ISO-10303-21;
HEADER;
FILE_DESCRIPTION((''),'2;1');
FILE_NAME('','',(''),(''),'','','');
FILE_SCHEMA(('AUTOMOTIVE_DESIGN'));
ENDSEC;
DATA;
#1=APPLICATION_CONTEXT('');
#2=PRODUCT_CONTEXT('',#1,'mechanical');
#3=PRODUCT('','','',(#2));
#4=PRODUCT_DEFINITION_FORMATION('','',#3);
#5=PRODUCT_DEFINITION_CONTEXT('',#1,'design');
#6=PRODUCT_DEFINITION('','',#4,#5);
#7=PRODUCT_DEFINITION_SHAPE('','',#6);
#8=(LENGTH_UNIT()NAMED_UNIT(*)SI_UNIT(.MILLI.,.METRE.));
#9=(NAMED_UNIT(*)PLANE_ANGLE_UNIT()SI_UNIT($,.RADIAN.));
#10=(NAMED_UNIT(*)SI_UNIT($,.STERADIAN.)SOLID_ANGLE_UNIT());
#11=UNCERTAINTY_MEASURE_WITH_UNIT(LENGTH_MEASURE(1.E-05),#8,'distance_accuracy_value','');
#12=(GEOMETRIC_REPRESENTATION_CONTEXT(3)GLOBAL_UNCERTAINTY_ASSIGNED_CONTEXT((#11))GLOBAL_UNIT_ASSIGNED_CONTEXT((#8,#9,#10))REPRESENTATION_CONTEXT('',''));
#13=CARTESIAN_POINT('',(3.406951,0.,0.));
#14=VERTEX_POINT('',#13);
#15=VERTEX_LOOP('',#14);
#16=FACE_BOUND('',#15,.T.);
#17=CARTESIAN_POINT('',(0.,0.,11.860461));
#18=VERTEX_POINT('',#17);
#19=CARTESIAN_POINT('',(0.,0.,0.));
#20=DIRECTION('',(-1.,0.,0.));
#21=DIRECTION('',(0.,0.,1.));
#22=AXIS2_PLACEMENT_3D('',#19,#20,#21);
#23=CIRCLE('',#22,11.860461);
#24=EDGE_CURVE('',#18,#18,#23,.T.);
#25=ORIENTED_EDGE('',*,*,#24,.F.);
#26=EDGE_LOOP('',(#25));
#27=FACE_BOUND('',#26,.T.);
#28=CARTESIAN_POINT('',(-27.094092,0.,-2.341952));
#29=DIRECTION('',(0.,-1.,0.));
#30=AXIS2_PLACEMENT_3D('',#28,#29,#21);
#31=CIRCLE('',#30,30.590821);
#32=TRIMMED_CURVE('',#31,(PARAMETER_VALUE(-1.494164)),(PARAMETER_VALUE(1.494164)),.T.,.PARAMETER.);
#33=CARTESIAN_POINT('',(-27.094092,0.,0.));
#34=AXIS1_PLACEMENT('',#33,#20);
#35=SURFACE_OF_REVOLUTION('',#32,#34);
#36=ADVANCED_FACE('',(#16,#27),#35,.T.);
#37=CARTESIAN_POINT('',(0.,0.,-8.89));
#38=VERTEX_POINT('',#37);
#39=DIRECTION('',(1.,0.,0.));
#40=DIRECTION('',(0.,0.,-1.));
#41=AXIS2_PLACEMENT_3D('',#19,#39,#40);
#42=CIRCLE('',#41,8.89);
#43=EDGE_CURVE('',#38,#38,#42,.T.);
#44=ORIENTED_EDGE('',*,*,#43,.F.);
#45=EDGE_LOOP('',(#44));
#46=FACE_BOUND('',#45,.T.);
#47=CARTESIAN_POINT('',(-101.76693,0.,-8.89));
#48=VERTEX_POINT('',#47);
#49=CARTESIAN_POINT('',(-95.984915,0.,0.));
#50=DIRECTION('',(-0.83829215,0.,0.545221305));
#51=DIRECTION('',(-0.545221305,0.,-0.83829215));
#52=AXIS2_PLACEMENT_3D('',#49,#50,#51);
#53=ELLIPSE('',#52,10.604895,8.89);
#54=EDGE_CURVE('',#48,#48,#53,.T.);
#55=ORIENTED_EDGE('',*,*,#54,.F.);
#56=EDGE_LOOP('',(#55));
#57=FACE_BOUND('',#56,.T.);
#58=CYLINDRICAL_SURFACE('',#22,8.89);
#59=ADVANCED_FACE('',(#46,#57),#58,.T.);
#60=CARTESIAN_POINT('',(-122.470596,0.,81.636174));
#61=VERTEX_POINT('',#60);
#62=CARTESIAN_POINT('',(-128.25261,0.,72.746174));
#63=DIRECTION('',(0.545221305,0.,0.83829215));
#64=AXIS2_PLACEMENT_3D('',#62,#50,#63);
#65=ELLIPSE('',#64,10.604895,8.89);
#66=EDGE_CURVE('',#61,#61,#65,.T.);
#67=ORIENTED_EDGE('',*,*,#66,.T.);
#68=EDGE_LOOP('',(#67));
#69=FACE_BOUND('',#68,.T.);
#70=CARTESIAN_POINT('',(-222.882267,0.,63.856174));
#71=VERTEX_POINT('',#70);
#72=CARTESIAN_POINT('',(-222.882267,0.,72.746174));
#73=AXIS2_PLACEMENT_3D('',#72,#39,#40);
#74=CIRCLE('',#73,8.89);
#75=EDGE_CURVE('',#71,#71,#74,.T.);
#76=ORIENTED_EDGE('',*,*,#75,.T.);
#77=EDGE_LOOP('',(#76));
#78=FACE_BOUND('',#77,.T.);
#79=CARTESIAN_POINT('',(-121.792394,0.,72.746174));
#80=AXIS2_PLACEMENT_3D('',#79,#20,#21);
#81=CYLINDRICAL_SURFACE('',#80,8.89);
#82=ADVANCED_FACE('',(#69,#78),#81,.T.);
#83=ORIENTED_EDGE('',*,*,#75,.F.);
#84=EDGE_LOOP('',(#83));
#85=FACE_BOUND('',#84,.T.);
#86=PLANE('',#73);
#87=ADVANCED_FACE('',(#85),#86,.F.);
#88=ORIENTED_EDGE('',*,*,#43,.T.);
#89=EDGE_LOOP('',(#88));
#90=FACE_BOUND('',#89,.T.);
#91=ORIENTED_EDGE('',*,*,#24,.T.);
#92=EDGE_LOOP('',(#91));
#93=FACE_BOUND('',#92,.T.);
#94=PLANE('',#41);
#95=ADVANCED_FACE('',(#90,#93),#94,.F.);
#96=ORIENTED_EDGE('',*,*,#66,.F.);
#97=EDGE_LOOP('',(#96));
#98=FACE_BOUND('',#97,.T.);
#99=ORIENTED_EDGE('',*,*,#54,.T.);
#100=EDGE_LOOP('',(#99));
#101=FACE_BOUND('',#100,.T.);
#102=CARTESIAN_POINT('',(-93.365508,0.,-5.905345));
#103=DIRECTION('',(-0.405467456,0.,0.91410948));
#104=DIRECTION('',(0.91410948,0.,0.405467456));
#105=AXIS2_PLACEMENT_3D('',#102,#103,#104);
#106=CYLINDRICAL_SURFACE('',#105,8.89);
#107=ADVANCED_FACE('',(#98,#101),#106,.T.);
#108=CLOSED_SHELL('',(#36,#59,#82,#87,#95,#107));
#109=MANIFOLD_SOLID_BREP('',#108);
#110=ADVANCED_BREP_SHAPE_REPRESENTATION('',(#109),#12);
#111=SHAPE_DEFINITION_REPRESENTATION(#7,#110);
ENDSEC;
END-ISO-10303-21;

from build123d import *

# Parameters (mm, degrees)
SKETCH3_R = 8.89


with BuildPart() as part:
    # Sweep1: sweep along a path in Sketch1
    with BuildLine(Plane(origin=(0, 0, 0), x_dir=(1, 0, 0), z_dir=(0, 1, 0))) as sweep1_path:
        Line((0, 0), (-95.984915269, 0))
        Line((-95.984915269, 0), (-128.252610358, -72.746173646))
        Line((-128.252610358, -72.746173646), (-222.882267399, -72.746173646))
    # Sketch3 → Sweep1 (sweep)
    with BuildSketch(Plane(origin=(0, 0, 0), x_dir=(0, 0, -1), z_dir=(1, 0, 0))):
        Circle(SKETCH3_R)
    sweep(path=sweep1_path.line, transition=Transition.RIGHT)

    # Sketch6 → Revolve1 (revolve)
    with BuildSketch(Plane(origin=(0, 0, 0), x_dir=(1, 0, 0), z_dir=(0, 1, 0))):
        with BuildLine():
            Line((0, 0), (0, 11.860460566))
            ThreePointArc((0, 11.860460566), (2.307736562, 6.103805999), (3.406950908, 0))
            Line((3.406950908, 0), (0, 0))
        make_face()
    revolve(axis=Axis((0, 0, 0), (1, 0, 0)))


solid = part.part
